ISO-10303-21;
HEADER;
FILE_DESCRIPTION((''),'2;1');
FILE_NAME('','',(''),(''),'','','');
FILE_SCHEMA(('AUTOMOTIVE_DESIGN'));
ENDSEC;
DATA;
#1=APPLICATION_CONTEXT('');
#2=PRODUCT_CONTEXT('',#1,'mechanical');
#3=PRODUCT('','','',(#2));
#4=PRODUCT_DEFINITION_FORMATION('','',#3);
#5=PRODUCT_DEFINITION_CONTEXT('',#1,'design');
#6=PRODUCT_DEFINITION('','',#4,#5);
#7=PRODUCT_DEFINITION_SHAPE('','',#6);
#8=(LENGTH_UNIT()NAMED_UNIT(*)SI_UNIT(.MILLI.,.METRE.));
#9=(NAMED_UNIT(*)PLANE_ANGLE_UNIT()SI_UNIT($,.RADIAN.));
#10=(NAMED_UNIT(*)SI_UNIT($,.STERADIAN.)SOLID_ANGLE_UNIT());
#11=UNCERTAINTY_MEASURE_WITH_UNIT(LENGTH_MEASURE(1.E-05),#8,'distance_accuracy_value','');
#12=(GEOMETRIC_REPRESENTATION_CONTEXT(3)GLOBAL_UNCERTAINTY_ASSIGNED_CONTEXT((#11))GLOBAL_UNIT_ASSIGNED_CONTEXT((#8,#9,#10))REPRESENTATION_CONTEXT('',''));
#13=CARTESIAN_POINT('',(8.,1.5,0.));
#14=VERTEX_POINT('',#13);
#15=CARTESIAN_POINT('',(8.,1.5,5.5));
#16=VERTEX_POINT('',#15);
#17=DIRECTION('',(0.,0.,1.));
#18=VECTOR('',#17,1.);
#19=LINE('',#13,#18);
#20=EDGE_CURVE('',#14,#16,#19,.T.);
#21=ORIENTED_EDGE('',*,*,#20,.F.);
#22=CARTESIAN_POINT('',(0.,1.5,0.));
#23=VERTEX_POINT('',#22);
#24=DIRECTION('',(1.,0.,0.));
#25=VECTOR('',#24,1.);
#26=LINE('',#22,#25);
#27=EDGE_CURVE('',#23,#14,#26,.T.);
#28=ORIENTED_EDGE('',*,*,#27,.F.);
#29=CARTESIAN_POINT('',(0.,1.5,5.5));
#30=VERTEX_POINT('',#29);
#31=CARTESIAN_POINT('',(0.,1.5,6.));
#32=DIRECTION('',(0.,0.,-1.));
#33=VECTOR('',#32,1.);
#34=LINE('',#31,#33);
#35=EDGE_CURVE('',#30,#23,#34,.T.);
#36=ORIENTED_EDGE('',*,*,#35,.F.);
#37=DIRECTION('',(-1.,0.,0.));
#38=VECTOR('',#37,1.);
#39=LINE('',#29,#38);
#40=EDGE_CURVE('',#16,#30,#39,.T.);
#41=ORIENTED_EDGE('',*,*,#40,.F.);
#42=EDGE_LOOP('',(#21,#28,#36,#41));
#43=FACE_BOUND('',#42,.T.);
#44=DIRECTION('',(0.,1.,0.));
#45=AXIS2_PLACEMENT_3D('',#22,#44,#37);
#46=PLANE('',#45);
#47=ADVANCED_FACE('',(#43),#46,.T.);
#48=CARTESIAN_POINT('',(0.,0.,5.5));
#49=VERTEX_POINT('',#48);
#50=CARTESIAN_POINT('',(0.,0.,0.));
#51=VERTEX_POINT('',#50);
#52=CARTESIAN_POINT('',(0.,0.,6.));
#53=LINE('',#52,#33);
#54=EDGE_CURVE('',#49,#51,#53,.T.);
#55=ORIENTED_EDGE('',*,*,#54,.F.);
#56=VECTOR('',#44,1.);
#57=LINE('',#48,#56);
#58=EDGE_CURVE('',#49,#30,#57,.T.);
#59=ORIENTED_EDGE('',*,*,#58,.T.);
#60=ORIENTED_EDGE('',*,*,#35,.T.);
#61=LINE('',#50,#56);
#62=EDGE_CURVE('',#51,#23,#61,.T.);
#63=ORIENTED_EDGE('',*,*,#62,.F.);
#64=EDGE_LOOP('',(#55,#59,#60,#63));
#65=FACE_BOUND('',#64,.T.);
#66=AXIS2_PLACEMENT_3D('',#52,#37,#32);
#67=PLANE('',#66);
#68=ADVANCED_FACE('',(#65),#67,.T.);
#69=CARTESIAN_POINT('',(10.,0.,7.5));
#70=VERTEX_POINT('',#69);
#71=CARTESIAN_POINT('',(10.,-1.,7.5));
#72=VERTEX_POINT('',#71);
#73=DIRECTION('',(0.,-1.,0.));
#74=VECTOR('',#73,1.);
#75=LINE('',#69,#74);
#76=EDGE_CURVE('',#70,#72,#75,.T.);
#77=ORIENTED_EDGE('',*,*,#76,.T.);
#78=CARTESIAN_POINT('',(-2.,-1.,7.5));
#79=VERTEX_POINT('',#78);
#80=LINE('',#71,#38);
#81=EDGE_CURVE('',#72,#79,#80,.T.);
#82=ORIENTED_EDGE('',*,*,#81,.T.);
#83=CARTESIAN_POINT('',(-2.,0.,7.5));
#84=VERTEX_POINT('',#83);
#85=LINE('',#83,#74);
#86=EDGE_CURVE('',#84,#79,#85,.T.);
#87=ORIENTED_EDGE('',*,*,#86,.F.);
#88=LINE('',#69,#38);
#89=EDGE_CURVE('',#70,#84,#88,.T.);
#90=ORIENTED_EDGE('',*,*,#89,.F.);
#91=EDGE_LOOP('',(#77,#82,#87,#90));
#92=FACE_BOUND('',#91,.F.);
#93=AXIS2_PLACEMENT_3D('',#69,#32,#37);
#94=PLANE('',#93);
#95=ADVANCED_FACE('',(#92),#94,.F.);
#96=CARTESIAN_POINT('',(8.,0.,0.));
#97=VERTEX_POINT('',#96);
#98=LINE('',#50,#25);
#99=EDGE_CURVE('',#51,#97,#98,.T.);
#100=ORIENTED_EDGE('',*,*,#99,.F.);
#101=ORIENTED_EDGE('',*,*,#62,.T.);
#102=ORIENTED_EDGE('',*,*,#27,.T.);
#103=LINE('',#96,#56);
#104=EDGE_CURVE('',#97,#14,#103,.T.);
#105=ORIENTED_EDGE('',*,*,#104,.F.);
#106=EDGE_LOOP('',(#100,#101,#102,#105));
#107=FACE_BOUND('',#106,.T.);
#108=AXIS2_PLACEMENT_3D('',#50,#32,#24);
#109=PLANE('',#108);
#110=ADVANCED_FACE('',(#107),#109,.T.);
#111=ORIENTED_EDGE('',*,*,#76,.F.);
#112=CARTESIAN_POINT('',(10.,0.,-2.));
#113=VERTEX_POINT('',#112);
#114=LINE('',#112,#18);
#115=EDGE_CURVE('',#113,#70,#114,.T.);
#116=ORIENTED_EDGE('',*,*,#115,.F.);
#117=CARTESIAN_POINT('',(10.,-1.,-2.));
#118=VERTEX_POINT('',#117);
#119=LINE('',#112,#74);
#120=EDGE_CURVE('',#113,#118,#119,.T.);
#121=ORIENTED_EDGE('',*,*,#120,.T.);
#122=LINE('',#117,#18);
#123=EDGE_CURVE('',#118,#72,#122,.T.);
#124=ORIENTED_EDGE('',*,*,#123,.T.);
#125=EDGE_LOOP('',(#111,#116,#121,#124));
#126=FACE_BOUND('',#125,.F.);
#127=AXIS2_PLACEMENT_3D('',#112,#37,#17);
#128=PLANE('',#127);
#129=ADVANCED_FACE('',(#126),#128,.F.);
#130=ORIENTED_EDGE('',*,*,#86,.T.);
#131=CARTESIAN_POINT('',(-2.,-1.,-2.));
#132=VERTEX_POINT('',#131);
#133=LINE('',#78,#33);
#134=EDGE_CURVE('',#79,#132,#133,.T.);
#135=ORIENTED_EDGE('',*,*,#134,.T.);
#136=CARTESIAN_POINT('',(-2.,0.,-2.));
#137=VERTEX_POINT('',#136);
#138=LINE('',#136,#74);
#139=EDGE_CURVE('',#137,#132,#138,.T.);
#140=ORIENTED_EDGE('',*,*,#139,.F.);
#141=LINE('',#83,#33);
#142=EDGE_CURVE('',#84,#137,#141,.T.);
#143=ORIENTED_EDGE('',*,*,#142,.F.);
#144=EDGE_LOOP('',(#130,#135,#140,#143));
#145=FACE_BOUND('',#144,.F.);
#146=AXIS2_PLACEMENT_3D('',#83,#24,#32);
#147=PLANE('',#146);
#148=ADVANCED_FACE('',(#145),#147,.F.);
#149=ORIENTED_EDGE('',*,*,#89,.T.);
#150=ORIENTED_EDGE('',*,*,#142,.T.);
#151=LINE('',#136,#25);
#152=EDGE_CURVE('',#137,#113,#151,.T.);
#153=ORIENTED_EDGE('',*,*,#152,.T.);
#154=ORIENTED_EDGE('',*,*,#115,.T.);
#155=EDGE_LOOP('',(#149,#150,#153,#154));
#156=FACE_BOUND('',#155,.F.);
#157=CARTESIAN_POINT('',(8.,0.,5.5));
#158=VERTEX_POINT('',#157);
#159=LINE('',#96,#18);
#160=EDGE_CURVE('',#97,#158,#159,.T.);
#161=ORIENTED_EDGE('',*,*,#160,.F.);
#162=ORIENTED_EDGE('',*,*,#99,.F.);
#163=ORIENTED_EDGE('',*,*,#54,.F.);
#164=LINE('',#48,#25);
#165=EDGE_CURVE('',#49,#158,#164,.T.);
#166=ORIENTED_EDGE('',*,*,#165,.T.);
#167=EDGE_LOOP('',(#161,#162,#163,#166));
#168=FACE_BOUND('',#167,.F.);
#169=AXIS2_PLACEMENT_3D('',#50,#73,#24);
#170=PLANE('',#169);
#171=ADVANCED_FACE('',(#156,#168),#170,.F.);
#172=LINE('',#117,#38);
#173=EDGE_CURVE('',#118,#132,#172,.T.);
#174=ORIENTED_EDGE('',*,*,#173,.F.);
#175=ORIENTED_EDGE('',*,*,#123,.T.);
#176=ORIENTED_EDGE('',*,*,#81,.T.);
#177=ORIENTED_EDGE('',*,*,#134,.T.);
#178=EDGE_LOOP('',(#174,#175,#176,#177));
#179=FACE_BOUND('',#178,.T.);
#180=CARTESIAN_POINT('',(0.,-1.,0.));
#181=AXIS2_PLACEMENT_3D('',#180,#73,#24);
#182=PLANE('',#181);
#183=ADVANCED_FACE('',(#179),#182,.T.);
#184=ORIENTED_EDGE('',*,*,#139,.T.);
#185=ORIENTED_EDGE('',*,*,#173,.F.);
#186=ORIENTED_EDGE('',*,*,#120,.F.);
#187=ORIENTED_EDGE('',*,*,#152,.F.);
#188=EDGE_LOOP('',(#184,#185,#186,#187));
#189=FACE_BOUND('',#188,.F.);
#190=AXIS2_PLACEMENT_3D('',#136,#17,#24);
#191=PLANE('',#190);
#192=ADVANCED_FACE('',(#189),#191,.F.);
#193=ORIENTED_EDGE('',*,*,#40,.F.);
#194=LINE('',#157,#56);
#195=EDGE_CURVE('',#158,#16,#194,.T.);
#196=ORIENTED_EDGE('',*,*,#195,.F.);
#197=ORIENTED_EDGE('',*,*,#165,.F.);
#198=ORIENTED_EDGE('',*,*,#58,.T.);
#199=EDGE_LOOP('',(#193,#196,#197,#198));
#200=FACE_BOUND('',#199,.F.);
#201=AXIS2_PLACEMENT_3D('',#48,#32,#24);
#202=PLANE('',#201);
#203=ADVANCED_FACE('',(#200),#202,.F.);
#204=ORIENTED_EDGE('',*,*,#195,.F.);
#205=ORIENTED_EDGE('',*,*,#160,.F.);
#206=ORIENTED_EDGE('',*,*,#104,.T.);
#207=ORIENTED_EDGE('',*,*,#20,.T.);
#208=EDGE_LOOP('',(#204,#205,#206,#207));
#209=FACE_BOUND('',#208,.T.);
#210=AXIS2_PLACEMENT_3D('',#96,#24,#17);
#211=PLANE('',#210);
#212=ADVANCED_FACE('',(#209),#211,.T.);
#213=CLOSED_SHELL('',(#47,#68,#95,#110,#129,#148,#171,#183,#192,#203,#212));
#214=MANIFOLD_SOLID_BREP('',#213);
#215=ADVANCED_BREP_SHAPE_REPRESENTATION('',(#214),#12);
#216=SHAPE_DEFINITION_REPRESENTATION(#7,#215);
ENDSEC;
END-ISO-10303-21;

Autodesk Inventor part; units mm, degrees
ref_plane "YZ Plane" through (0, 0, 0) normal (1, 0, 0) x (0, 1, 0)
ref_plane "XZ Plane" through (0, 0, 0) normal (0, 1, 0) x (-1, 0, 0)
ref_plane "XY Plane" through (0, 0, 0) normal (0, 0, 1) x (1, 0, 0)
sketch "Sketch1" plane through (0, 0, 0) normal (0, 1, 0) x (-1, 0, 0)
  line L0 (0, 0) -> (-8, 0)
  line L1 (-8, 0) -> (-8, 6)
  line L2 (-8, 6) -> (0, 6)
  line L3 (0, 6) -> (0, 0)
  dimension "d0" = 8
  dimension "d1" = 6
extrude "Extrusion1" add sketch "Sketch1" along normal blind 1.5
sketch "Sketch2" plane through (0, 0, 0) normal (0, -1, 0) x (1, 0, 0)
  line L0 (8, 0) -> (0, 0) projected
  line L1 (8, 0) -> (0, 0)
  line L2 (8, 6) -> (8, 0) projected
  line L3 (0, 6) -> (8, 6)
  line L4 (8, 6) -> (8, 0)
  line L5 (0, 5.5) -> (8, 5.5)
  line L6 (0, 5.5) -> (0, 6)
  line L7 (0, 6) -> (8, 6) projected
  line L8 (8, 6) -> (8, 5.5)
  line L9 (8, 6) -> (0, 6)
  dimension "d4" = 5.5
extrude "Extrusion2" cut sketch "Sketch2" against normal blind 10
sketch "Sketch3" plane through (0, 0, 0) normal (0, -1, 0) x (1, 0, 0)
  point P0 (0, 0)
sketch "Sketch4" plane through (0, 0, 0) normal (0, -1, 0) x (1, 0, 0)
  line L0 (8, 0) -> (0, 0) projected
  line L1 (0, -2) -> (10, -2)
  line L2 (10, -2) -> (10, 7.5)
  line L3 (10, 7.5) -> (-2, 7.5)
  line L4 (-2, 7.5) -> (-2, -2)
  line L5 (-2, -2) -> (0, -2)
  dimension "d7" = 2
  dimension "d8" = 10
  dimension "d9" = 9.5
  dimension "d10" = 12
extrude "Extrusion3" add sketch "Sketch4" along normal blind 1
properties part number "Button"
